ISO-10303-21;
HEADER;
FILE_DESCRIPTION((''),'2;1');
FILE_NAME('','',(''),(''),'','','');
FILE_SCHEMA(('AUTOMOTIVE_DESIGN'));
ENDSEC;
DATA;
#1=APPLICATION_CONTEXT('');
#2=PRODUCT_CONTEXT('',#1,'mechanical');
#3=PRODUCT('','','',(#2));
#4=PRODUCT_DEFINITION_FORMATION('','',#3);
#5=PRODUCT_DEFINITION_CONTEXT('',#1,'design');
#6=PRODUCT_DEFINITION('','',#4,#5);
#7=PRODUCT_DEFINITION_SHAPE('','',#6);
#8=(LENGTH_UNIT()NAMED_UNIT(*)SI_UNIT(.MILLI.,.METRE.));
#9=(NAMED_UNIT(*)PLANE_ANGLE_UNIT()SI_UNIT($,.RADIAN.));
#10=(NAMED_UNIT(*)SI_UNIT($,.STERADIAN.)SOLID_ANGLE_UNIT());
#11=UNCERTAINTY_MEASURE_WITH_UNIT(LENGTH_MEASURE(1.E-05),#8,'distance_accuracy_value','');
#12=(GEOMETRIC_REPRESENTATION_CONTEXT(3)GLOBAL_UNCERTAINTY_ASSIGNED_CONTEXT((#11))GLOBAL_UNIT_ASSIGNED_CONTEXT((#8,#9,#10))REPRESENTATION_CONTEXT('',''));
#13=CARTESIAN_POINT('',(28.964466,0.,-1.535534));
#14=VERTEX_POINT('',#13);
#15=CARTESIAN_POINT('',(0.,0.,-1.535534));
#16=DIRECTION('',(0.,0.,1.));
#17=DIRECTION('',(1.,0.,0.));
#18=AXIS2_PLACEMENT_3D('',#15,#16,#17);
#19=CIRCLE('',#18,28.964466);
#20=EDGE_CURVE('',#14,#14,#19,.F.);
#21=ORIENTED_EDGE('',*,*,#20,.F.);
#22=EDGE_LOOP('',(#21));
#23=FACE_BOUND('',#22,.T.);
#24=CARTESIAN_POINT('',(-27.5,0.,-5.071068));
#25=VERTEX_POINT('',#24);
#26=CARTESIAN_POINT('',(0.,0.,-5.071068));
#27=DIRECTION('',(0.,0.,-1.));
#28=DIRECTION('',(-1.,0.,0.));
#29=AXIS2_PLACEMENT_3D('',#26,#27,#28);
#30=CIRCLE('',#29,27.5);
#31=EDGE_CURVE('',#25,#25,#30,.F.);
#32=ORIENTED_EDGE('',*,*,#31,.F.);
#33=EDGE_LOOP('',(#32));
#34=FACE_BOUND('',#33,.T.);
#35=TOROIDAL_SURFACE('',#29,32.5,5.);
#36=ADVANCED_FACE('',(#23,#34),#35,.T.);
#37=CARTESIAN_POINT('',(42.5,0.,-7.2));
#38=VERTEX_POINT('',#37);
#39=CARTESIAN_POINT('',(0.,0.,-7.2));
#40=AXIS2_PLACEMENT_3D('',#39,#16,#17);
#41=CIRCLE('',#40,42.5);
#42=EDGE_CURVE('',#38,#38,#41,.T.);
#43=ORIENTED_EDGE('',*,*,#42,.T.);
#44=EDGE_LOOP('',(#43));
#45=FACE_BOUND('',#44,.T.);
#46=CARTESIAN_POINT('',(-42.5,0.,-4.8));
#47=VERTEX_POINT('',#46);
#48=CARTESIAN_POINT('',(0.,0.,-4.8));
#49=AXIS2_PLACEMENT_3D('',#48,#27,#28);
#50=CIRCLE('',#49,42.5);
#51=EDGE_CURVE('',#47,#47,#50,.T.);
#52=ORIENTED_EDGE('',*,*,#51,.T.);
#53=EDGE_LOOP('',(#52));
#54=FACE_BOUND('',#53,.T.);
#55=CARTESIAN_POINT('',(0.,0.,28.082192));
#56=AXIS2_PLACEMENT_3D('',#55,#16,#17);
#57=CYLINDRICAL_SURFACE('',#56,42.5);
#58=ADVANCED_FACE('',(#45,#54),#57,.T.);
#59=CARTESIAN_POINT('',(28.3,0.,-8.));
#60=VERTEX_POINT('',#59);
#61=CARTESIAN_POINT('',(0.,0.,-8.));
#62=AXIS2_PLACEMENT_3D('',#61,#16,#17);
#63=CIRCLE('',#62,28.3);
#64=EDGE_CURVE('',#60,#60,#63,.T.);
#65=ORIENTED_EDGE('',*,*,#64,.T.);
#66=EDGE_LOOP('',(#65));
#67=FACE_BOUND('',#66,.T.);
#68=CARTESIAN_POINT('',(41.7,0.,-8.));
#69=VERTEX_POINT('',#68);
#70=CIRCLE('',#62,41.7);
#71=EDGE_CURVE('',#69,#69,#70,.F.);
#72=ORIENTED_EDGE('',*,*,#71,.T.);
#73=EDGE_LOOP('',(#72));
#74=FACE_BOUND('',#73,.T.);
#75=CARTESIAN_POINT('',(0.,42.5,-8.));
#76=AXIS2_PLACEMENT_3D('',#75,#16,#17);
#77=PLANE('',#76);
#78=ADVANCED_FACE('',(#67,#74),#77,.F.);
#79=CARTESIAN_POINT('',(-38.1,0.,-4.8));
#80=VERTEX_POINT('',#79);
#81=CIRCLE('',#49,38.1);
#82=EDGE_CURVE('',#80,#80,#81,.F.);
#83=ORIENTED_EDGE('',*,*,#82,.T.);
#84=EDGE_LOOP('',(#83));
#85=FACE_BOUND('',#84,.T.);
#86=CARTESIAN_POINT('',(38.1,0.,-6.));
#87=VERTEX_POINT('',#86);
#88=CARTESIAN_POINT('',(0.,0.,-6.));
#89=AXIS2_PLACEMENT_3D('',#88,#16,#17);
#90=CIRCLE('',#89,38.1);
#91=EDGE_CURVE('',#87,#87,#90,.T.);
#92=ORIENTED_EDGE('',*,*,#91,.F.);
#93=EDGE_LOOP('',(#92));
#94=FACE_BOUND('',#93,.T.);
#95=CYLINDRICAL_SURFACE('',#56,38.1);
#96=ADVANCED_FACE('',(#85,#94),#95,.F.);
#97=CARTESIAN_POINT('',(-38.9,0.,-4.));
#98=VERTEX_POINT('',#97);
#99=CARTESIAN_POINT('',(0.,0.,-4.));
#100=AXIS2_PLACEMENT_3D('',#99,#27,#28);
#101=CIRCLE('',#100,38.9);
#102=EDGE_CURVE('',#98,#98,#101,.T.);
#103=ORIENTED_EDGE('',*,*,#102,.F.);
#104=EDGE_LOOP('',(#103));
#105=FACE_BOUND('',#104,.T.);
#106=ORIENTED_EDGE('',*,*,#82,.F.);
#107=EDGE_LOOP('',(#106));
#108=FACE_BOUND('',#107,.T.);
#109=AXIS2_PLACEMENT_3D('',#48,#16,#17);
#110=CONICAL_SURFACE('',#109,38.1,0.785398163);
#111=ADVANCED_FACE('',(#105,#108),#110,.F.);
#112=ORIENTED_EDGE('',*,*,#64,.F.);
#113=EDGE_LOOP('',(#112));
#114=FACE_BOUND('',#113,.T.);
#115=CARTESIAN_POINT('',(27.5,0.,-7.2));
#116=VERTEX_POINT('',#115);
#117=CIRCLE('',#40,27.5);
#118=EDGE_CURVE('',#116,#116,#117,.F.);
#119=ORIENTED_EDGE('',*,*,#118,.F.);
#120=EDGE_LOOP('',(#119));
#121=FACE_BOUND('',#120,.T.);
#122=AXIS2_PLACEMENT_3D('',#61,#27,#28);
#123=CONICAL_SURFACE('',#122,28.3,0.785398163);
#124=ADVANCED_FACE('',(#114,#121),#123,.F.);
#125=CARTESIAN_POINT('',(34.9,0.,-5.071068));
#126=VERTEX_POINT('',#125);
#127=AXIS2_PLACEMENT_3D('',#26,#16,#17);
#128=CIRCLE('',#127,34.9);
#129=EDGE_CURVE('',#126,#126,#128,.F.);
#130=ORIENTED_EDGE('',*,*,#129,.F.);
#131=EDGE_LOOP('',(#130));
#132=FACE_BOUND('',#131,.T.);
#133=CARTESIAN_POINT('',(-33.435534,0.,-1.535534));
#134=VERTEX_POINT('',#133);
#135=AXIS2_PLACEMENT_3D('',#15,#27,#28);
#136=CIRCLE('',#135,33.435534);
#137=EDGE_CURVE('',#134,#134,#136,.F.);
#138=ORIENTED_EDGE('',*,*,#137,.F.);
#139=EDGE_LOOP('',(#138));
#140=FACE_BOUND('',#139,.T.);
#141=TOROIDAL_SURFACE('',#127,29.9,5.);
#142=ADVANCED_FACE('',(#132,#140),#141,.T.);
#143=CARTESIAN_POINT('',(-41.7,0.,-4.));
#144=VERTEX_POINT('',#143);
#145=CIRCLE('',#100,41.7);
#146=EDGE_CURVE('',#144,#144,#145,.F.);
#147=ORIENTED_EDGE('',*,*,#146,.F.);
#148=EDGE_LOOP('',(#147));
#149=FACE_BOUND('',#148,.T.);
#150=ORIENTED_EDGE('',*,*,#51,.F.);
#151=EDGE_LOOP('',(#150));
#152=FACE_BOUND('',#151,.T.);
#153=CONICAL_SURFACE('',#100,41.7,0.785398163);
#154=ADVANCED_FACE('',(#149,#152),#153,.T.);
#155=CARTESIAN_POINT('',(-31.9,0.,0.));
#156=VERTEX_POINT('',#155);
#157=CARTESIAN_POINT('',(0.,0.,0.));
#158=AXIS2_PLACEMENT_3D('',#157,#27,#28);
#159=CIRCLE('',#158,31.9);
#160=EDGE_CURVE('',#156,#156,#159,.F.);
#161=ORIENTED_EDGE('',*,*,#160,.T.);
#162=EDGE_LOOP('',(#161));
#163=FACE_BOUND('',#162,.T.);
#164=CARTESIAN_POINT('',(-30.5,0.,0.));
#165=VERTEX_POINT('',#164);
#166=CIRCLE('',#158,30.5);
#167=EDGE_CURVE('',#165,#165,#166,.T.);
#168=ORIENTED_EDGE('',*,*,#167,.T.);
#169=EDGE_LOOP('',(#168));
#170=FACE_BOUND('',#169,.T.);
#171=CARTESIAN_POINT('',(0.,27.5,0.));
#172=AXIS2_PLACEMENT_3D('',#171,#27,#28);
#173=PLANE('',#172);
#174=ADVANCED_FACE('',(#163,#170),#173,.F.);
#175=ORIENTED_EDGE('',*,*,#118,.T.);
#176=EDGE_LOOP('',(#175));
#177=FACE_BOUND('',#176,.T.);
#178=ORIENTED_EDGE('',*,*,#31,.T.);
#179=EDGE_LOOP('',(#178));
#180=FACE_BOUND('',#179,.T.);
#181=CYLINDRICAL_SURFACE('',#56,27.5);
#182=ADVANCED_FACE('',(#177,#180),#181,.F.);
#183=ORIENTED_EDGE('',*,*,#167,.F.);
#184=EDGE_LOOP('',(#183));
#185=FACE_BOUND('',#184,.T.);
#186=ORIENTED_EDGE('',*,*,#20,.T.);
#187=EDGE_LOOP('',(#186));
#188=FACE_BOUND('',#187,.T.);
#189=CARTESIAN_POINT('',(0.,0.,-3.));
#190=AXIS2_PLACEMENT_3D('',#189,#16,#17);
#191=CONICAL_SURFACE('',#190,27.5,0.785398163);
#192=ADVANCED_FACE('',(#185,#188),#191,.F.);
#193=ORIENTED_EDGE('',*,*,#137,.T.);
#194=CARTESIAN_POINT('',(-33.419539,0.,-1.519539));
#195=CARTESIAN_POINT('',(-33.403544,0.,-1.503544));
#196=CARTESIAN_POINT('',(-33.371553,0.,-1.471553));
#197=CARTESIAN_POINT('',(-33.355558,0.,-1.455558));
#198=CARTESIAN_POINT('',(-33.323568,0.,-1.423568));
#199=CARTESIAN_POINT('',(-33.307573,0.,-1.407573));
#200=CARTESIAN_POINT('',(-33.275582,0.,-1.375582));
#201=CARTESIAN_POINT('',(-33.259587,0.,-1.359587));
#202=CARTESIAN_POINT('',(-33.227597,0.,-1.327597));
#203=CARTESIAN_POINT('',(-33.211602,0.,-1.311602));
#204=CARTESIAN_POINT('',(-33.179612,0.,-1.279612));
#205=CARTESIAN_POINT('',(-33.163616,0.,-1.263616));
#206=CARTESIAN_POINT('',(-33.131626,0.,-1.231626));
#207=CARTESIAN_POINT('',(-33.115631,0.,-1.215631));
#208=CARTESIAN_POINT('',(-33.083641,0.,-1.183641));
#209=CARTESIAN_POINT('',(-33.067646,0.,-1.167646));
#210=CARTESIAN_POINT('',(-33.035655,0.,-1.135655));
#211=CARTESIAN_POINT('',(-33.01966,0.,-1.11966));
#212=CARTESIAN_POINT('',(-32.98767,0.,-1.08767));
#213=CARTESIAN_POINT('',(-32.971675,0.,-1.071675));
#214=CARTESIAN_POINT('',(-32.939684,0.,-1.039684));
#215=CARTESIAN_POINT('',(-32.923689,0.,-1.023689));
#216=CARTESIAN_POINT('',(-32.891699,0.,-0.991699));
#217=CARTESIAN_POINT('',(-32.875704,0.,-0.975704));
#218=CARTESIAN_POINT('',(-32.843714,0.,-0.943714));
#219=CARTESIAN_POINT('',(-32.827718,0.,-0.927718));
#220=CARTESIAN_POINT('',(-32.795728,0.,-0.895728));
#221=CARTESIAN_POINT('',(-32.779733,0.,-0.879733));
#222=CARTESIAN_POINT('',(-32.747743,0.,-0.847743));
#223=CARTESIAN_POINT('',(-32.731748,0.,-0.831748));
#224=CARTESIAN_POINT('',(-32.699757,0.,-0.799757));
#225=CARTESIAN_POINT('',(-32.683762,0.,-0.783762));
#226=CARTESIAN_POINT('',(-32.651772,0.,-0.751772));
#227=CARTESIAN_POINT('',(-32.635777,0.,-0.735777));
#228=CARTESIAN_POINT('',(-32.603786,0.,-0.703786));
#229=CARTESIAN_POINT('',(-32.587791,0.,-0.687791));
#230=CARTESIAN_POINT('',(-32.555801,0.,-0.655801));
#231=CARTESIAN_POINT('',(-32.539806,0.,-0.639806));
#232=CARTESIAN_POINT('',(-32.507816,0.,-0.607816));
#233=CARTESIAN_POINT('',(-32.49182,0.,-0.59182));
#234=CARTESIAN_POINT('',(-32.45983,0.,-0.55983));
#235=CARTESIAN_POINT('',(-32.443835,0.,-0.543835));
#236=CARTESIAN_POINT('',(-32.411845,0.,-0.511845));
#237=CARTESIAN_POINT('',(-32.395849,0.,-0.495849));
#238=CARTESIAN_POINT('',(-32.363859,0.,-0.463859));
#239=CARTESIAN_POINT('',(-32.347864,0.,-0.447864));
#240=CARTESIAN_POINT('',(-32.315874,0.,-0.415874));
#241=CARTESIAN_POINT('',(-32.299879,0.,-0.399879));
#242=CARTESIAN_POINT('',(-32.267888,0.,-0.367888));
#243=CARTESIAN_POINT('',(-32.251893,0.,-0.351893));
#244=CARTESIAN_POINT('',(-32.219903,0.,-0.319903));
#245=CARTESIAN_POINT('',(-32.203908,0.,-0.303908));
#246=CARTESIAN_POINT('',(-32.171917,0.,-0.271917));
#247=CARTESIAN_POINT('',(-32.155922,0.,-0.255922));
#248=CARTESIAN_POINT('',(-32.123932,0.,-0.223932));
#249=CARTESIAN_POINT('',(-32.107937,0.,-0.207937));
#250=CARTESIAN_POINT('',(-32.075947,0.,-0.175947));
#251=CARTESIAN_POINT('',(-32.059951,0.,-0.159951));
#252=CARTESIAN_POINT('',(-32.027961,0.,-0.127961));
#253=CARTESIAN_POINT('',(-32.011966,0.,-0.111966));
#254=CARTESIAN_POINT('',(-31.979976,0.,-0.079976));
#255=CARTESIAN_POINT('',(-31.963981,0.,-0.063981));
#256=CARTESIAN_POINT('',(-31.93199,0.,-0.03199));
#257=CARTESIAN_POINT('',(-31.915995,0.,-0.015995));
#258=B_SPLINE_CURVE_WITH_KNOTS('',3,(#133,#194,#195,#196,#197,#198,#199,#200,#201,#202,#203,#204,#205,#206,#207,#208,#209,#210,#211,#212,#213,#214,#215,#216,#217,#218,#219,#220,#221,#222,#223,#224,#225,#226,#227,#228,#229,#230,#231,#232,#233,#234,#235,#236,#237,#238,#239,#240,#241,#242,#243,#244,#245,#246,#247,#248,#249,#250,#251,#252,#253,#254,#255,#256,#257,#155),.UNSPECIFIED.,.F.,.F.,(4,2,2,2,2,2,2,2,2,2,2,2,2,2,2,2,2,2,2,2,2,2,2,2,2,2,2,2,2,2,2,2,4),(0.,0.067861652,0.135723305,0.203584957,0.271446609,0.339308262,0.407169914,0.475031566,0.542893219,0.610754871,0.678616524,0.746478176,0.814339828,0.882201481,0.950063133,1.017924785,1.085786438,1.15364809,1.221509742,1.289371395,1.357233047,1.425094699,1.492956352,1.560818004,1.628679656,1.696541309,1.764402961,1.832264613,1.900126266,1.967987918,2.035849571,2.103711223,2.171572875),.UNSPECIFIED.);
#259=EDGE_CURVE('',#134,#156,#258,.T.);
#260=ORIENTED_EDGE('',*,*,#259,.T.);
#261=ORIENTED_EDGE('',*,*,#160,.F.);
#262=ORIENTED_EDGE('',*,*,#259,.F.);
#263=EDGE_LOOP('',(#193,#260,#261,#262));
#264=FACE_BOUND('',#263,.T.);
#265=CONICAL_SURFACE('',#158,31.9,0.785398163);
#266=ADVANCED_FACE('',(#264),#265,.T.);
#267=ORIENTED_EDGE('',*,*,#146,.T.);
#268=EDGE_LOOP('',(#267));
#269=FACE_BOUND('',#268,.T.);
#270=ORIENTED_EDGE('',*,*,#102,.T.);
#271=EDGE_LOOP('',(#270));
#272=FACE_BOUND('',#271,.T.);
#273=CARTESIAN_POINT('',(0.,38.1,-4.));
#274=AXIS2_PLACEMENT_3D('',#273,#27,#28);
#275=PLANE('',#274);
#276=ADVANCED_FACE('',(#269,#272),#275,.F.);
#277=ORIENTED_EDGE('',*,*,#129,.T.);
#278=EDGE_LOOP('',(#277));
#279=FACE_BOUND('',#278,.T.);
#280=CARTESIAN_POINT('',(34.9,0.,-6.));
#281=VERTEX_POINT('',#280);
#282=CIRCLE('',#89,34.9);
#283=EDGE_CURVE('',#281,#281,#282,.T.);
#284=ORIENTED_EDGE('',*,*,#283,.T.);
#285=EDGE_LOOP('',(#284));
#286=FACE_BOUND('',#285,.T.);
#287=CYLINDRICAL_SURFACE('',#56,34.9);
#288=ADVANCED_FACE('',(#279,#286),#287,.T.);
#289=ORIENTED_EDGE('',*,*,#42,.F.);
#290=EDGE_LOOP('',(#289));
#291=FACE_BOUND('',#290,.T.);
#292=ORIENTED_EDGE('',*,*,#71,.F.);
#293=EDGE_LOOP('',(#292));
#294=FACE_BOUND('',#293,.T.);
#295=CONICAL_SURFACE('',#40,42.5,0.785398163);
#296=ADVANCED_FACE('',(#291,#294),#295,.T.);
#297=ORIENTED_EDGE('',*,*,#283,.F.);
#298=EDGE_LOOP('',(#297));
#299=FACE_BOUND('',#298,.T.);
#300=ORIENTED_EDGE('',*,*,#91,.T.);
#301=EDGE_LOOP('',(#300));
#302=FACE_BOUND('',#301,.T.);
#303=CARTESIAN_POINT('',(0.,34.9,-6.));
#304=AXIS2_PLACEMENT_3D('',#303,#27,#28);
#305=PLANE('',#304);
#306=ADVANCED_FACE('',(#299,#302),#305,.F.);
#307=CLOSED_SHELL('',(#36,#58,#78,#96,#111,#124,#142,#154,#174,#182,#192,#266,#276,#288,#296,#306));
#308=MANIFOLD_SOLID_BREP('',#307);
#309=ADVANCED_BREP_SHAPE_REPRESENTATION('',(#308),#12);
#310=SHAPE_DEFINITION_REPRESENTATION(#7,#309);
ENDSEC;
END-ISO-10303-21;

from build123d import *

# Parameters (mm, degrees)
FASE1_SIZE    = 0.8
FASE2_SIZE    = 3
VERRUNDUNG1_R = 5


with BuildPart() as part:
    # Skizze3 → Rotation1 (revolve)
    with BuildSketch(Plane(origin=(0, 0, 0), x_dir=(0, 0, -1), z_dir=(1, 0, 0)), mode=Mode.PRIVATE) as rotation1_sk:
        Polygon((0, 27.5), (0, 34.9), (6, 34.9), (6, 38.1), (4, 38.1), (4, 42.5), (8, 42.5), (8, 27.5), align=None)
    revolve(rotation1_sk.sketch.rotate(Axis((0, 0, 28.082191781), (0, 0, -1)), 90), axis=Axis((0, 0, 28.082191781), (0, 0, -1)))

    # Fase1
    fase1_edges = [part.edges().sort_by_distance(p)[0] for p in [
        (-27.5, 0, -8),
        (-42.5, 0, -8),
        (-42.5, 0, -4),
        (-38.1, 0, -4),
    ]]
    chamfer(fase1_edges, length=FASE1_SIZE)

    # Fase2
    fase2_edges = [part.edges().sort_by_distance(p)[0] for p in [
        (-27.5, 0, 0),
        (-34.9, 0, 0),
    ]]
    chamfer(fase2_edges, length=FASE2_SIZE)

    # Verrundung1
    verrundung1_edges = [part.edges().sort_by_distance(p)[0] for p in [
        (-34.9, 0, -3),
        (-27.5, 0, -3),
    ]]
    fillet(verrundung1_edges, radius=VERRUNDUNG1_R)


solid = part.part
